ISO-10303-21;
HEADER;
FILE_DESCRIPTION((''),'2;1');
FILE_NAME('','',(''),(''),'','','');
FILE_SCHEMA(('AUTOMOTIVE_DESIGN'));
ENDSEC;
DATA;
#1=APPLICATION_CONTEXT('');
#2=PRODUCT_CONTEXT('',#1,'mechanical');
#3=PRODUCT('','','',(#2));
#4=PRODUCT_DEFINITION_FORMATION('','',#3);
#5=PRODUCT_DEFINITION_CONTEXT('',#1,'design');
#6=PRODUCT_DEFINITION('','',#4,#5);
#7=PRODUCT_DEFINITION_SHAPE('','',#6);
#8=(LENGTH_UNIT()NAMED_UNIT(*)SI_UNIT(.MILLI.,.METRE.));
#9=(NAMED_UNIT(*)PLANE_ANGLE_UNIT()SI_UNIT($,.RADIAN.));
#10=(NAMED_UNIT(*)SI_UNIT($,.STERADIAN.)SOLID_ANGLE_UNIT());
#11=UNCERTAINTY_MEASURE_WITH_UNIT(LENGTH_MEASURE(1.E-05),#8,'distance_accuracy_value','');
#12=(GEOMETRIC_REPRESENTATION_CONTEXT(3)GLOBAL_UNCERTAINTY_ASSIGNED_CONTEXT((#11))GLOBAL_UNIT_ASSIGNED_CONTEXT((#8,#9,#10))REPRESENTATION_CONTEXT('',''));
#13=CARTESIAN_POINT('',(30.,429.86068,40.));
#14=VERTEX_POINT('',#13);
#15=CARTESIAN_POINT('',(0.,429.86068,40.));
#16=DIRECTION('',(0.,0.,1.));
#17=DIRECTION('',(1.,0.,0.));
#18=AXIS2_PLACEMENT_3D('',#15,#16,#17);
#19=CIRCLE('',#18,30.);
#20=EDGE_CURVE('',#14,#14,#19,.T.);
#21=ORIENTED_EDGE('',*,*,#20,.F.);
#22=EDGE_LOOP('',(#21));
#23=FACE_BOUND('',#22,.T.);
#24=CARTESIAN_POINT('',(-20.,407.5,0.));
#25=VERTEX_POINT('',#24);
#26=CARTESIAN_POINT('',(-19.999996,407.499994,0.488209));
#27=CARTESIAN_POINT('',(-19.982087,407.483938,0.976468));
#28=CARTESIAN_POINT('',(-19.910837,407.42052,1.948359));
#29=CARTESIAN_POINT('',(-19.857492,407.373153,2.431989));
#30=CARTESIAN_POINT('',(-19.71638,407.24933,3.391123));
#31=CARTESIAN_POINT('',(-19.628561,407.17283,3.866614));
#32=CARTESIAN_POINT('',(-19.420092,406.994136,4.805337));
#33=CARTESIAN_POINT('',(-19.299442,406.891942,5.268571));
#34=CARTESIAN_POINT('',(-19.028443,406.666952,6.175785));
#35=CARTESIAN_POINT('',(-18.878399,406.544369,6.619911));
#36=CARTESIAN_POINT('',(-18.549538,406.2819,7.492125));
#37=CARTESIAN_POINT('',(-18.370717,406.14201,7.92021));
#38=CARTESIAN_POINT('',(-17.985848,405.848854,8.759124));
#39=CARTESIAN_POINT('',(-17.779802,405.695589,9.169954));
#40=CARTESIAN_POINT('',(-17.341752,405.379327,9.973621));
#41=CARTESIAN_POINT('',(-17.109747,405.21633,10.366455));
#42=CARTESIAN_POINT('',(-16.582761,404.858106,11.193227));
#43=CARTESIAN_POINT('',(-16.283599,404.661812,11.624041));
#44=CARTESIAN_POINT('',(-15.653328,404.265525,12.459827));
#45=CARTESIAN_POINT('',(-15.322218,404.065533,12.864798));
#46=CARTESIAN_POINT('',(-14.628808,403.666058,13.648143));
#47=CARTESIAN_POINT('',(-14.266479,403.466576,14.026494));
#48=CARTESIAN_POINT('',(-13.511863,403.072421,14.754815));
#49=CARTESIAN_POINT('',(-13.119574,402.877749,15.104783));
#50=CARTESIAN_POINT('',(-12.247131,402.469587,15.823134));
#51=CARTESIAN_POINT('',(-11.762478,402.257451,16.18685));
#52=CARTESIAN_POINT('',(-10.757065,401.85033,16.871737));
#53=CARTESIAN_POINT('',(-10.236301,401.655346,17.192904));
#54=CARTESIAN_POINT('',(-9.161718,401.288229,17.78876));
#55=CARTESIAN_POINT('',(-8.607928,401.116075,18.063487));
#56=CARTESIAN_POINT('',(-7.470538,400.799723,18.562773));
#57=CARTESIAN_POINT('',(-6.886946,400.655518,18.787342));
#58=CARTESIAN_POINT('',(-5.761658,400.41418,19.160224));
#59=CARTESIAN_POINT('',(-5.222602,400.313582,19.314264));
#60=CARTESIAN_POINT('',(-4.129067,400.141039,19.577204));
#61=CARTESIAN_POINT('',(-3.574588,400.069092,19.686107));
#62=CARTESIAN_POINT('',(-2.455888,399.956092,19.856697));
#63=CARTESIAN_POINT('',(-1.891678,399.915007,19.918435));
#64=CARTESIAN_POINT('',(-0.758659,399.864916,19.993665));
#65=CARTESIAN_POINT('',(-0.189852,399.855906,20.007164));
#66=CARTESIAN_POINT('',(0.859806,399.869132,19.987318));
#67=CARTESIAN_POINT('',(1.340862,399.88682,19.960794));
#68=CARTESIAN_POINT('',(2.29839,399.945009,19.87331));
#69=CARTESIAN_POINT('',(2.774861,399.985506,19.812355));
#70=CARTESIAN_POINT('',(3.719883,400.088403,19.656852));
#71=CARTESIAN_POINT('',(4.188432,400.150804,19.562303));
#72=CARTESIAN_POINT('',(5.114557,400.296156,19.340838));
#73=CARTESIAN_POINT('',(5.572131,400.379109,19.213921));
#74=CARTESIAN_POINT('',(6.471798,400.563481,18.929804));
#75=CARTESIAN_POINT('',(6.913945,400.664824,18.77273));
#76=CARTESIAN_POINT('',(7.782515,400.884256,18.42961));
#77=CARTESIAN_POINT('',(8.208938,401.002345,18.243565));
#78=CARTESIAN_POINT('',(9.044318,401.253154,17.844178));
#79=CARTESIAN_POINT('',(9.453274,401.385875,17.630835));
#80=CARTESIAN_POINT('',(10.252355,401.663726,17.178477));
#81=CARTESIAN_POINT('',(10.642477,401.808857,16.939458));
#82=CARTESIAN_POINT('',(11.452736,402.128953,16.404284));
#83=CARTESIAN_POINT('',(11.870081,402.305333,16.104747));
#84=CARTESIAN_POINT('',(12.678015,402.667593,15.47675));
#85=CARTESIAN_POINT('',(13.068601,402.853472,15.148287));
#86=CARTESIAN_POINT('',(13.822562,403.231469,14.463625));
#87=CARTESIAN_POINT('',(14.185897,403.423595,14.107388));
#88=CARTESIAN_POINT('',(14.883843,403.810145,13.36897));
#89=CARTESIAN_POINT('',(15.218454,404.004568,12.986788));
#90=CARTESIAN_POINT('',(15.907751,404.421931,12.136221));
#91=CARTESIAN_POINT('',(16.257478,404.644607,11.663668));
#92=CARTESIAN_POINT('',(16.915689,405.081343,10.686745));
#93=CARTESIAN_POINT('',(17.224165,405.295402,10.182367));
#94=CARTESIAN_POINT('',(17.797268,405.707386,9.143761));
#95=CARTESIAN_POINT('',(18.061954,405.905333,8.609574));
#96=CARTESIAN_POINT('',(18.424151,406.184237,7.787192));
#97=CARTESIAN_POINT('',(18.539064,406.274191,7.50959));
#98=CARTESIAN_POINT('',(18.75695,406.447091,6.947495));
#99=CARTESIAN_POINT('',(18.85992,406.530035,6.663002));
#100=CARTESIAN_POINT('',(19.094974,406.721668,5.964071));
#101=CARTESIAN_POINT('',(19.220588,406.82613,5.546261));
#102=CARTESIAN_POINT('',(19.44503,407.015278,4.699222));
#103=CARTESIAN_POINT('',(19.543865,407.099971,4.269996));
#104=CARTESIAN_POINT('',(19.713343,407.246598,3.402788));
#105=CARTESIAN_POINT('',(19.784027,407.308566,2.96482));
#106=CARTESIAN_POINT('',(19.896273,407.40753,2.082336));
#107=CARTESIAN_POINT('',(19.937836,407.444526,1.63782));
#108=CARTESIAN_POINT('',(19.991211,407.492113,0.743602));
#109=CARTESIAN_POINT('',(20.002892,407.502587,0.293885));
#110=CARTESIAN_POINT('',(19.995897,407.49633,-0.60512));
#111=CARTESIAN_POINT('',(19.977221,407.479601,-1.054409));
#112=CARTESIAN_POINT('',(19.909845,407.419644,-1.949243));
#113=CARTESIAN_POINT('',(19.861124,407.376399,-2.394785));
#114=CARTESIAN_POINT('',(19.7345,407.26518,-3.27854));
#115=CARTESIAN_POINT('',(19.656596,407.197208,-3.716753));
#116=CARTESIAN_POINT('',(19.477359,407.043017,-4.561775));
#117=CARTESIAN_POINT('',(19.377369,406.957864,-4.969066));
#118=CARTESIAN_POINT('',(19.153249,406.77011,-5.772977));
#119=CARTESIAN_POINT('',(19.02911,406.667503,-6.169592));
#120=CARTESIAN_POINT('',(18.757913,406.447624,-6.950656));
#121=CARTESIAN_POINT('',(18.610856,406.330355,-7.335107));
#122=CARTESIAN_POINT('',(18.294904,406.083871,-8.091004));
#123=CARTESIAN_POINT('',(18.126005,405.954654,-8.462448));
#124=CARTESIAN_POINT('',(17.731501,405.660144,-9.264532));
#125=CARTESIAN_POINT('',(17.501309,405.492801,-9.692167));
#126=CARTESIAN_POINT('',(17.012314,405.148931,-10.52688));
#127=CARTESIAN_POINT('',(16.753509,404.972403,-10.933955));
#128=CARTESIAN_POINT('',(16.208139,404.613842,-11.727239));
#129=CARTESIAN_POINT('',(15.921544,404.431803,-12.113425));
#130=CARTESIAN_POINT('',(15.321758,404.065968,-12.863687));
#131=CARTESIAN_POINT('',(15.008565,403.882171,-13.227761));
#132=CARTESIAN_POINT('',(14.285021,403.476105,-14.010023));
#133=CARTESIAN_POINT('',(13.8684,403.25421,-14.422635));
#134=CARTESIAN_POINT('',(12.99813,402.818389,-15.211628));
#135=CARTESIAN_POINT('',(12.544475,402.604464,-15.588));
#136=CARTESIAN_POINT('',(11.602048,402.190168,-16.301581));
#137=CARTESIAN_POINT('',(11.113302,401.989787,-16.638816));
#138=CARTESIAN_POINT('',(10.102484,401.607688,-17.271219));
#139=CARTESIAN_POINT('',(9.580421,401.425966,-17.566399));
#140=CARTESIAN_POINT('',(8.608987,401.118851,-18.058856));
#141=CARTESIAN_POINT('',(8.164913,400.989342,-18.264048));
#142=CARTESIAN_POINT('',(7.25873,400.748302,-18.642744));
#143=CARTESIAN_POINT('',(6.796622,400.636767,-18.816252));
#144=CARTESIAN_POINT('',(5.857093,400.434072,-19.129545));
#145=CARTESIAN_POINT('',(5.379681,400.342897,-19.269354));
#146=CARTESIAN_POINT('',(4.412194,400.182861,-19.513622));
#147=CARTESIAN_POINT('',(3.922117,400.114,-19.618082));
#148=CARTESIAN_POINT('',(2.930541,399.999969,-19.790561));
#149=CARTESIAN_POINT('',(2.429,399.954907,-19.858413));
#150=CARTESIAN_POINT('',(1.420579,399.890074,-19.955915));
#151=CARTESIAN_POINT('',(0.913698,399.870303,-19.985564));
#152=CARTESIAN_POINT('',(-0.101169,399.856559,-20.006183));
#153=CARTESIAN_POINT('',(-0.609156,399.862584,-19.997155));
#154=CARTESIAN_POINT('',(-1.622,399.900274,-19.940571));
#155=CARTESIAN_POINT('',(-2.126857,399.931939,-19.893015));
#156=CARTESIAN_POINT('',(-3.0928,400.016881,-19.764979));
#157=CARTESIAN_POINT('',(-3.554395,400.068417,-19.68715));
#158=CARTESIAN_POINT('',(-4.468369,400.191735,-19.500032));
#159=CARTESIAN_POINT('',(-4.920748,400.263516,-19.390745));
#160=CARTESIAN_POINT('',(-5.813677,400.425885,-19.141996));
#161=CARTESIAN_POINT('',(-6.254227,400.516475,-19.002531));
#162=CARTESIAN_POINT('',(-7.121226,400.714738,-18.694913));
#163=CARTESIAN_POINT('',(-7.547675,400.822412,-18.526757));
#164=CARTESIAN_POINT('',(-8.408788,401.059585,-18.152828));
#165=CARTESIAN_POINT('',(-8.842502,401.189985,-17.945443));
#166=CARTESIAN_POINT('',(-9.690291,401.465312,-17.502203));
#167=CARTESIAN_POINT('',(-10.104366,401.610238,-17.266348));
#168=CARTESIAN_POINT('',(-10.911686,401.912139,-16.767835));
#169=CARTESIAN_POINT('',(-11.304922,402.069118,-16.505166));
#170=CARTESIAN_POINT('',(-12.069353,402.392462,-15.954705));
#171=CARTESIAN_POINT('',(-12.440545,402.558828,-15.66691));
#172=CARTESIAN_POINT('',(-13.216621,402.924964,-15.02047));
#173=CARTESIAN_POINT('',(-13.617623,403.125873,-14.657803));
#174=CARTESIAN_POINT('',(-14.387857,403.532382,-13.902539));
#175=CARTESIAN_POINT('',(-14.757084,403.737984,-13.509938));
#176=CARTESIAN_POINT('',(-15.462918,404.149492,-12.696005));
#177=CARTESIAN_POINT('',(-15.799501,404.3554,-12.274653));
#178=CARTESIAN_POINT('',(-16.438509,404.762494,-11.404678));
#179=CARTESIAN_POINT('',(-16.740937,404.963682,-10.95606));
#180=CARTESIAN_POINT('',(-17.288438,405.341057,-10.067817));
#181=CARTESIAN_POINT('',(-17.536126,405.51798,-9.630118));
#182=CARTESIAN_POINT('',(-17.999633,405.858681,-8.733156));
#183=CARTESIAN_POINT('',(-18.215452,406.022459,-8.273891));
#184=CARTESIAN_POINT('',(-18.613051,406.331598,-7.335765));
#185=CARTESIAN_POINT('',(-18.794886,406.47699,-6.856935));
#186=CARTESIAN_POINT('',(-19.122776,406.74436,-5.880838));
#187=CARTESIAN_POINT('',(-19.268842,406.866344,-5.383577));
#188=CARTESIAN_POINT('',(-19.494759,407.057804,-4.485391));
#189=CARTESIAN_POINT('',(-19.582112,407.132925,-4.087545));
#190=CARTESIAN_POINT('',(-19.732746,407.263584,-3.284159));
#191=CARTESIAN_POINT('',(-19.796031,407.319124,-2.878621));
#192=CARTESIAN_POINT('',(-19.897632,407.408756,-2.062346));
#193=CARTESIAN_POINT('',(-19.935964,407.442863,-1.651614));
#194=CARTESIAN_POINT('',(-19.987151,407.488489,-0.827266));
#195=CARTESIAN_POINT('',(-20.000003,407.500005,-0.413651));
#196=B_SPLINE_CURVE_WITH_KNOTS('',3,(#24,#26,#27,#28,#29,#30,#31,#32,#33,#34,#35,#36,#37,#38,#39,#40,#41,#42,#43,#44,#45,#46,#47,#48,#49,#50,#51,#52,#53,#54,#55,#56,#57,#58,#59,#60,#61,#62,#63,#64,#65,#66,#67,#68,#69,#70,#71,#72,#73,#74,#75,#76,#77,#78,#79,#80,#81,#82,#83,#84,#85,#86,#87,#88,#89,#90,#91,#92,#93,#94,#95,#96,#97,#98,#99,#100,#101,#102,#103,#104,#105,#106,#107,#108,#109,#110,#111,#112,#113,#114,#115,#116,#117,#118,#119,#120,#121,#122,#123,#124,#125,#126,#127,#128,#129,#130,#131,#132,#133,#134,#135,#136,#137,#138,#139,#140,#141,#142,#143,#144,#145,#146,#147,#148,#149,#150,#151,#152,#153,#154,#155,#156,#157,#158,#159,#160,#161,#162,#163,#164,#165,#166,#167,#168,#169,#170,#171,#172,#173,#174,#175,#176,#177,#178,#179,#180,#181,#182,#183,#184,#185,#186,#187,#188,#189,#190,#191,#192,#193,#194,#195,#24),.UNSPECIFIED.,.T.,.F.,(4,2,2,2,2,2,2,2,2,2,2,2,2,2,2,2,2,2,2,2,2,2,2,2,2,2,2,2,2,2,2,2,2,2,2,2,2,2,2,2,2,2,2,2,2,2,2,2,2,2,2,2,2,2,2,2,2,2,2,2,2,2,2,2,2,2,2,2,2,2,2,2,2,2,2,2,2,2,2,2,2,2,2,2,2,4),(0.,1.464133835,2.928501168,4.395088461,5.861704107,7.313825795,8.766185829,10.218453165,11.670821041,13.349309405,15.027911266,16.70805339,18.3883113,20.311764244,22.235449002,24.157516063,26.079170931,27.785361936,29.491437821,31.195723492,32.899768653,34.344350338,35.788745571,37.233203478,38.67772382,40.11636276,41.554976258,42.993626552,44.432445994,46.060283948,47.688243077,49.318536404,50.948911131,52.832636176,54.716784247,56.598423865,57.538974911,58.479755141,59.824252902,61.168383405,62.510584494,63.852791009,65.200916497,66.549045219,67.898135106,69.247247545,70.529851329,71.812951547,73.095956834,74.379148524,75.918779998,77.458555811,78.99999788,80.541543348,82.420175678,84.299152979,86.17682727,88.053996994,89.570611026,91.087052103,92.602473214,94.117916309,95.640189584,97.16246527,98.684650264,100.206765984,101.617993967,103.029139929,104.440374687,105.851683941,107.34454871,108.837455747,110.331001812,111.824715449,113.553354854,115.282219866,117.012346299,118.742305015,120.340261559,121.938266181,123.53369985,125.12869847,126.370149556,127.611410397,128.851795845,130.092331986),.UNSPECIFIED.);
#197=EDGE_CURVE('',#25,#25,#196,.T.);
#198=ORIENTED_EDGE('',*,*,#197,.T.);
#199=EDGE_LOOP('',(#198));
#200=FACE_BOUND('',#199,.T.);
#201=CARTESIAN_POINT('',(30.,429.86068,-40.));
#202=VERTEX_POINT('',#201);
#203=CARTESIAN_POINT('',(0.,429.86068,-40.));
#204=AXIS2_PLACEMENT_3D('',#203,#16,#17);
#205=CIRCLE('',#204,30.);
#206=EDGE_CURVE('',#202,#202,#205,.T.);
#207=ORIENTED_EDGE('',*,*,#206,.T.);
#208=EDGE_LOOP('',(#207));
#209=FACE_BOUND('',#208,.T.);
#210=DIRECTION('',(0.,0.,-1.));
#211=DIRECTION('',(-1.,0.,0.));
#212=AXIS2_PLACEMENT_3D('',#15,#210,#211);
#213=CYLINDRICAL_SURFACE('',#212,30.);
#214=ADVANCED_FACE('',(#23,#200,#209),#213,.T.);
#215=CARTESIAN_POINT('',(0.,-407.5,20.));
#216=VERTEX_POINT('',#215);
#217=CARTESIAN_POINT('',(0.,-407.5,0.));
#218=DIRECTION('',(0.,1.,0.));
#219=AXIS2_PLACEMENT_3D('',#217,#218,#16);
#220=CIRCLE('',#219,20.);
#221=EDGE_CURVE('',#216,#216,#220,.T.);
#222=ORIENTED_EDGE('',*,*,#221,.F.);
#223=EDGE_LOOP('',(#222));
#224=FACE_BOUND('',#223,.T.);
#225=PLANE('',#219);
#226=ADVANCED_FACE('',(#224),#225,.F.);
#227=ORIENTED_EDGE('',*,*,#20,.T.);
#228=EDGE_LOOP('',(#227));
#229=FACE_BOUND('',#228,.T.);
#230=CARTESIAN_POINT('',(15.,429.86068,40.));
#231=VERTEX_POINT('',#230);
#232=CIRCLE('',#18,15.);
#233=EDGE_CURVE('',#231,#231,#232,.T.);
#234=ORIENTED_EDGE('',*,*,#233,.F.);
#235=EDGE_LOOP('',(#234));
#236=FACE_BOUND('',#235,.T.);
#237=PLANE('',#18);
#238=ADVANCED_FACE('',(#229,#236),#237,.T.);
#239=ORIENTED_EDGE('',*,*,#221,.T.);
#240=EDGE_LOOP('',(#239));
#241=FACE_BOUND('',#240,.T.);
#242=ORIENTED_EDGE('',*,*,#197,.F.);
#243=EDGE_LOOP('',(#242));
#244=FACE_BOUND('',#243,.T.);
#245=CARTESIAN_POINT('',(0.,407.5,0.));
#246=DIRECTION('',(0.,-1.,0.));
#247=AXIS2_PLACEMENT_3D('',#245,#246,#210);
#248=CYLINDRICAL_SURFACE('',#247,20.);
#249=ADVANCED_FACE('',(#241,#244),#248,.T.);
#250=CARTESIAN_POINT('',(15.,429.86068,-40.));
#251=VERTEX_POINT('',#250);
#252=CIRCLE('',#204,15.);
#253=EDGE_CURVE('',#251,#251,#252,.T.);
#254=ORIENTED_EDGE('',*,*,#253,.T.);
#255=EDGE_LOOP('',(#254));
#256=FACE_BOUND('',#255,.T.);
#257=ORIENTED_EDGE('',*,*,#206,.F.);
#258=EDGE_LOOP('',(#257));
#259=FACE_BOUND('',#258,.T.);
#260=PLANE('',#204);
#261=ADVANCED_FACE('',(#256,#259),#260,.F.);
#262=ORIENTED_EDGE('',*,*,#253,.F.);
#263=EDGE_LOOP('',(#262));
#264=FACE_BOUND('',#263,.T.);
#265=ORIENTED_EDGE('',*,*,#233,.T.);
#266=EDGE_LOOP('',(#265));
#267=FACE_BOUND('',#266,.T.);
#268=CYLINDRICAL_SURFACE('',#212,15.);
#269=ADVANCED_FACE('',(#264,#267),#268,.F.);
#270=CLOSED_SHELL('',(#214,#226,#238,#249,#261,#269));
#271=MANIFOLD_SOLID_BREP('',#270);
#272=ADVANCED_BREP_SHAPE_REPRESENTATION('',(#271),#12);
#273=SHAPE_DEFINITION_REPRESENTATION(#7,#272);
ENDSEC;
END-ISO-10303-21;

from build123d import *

# Parameters (mm, degrees)
SKETCH1_R           = 20
BOSS_EXTRUDE1_DEPTH = 407.5
SKETCH4_R           = 30
SKETCH4_R_2         = 15
BOSS_EXTRUDE3_DEPTH = 40


with BuildPart() as part:
    # Sketch1 → Boss-Extrude1 (new body, symmetric)
    with BuildSketch(Plane(origin=(0, 0, 0), x_dir=(1, 0, 0), z_dir=(0, 1, 0))):
        Circle(SKETCH1_R)
    extrude(amount=BOSS_EXTRUDE1_DEPTH, both=True)

    # Sketch4 → Boss-Extrude3 (add, symmetric)
    with BuildSketch(Plane.XY):
        with Locations((0, 429.860679775)):
            Circle(SKETCH4_R)
        with Locations((0, 429.860679775)):
            Circle(SKETCH4_R_2, mode=Mode.SUBTRACT)
    extrude(amount=BOSS_EXTRUDE3_DEPTH, both=True)


solid = part.part
